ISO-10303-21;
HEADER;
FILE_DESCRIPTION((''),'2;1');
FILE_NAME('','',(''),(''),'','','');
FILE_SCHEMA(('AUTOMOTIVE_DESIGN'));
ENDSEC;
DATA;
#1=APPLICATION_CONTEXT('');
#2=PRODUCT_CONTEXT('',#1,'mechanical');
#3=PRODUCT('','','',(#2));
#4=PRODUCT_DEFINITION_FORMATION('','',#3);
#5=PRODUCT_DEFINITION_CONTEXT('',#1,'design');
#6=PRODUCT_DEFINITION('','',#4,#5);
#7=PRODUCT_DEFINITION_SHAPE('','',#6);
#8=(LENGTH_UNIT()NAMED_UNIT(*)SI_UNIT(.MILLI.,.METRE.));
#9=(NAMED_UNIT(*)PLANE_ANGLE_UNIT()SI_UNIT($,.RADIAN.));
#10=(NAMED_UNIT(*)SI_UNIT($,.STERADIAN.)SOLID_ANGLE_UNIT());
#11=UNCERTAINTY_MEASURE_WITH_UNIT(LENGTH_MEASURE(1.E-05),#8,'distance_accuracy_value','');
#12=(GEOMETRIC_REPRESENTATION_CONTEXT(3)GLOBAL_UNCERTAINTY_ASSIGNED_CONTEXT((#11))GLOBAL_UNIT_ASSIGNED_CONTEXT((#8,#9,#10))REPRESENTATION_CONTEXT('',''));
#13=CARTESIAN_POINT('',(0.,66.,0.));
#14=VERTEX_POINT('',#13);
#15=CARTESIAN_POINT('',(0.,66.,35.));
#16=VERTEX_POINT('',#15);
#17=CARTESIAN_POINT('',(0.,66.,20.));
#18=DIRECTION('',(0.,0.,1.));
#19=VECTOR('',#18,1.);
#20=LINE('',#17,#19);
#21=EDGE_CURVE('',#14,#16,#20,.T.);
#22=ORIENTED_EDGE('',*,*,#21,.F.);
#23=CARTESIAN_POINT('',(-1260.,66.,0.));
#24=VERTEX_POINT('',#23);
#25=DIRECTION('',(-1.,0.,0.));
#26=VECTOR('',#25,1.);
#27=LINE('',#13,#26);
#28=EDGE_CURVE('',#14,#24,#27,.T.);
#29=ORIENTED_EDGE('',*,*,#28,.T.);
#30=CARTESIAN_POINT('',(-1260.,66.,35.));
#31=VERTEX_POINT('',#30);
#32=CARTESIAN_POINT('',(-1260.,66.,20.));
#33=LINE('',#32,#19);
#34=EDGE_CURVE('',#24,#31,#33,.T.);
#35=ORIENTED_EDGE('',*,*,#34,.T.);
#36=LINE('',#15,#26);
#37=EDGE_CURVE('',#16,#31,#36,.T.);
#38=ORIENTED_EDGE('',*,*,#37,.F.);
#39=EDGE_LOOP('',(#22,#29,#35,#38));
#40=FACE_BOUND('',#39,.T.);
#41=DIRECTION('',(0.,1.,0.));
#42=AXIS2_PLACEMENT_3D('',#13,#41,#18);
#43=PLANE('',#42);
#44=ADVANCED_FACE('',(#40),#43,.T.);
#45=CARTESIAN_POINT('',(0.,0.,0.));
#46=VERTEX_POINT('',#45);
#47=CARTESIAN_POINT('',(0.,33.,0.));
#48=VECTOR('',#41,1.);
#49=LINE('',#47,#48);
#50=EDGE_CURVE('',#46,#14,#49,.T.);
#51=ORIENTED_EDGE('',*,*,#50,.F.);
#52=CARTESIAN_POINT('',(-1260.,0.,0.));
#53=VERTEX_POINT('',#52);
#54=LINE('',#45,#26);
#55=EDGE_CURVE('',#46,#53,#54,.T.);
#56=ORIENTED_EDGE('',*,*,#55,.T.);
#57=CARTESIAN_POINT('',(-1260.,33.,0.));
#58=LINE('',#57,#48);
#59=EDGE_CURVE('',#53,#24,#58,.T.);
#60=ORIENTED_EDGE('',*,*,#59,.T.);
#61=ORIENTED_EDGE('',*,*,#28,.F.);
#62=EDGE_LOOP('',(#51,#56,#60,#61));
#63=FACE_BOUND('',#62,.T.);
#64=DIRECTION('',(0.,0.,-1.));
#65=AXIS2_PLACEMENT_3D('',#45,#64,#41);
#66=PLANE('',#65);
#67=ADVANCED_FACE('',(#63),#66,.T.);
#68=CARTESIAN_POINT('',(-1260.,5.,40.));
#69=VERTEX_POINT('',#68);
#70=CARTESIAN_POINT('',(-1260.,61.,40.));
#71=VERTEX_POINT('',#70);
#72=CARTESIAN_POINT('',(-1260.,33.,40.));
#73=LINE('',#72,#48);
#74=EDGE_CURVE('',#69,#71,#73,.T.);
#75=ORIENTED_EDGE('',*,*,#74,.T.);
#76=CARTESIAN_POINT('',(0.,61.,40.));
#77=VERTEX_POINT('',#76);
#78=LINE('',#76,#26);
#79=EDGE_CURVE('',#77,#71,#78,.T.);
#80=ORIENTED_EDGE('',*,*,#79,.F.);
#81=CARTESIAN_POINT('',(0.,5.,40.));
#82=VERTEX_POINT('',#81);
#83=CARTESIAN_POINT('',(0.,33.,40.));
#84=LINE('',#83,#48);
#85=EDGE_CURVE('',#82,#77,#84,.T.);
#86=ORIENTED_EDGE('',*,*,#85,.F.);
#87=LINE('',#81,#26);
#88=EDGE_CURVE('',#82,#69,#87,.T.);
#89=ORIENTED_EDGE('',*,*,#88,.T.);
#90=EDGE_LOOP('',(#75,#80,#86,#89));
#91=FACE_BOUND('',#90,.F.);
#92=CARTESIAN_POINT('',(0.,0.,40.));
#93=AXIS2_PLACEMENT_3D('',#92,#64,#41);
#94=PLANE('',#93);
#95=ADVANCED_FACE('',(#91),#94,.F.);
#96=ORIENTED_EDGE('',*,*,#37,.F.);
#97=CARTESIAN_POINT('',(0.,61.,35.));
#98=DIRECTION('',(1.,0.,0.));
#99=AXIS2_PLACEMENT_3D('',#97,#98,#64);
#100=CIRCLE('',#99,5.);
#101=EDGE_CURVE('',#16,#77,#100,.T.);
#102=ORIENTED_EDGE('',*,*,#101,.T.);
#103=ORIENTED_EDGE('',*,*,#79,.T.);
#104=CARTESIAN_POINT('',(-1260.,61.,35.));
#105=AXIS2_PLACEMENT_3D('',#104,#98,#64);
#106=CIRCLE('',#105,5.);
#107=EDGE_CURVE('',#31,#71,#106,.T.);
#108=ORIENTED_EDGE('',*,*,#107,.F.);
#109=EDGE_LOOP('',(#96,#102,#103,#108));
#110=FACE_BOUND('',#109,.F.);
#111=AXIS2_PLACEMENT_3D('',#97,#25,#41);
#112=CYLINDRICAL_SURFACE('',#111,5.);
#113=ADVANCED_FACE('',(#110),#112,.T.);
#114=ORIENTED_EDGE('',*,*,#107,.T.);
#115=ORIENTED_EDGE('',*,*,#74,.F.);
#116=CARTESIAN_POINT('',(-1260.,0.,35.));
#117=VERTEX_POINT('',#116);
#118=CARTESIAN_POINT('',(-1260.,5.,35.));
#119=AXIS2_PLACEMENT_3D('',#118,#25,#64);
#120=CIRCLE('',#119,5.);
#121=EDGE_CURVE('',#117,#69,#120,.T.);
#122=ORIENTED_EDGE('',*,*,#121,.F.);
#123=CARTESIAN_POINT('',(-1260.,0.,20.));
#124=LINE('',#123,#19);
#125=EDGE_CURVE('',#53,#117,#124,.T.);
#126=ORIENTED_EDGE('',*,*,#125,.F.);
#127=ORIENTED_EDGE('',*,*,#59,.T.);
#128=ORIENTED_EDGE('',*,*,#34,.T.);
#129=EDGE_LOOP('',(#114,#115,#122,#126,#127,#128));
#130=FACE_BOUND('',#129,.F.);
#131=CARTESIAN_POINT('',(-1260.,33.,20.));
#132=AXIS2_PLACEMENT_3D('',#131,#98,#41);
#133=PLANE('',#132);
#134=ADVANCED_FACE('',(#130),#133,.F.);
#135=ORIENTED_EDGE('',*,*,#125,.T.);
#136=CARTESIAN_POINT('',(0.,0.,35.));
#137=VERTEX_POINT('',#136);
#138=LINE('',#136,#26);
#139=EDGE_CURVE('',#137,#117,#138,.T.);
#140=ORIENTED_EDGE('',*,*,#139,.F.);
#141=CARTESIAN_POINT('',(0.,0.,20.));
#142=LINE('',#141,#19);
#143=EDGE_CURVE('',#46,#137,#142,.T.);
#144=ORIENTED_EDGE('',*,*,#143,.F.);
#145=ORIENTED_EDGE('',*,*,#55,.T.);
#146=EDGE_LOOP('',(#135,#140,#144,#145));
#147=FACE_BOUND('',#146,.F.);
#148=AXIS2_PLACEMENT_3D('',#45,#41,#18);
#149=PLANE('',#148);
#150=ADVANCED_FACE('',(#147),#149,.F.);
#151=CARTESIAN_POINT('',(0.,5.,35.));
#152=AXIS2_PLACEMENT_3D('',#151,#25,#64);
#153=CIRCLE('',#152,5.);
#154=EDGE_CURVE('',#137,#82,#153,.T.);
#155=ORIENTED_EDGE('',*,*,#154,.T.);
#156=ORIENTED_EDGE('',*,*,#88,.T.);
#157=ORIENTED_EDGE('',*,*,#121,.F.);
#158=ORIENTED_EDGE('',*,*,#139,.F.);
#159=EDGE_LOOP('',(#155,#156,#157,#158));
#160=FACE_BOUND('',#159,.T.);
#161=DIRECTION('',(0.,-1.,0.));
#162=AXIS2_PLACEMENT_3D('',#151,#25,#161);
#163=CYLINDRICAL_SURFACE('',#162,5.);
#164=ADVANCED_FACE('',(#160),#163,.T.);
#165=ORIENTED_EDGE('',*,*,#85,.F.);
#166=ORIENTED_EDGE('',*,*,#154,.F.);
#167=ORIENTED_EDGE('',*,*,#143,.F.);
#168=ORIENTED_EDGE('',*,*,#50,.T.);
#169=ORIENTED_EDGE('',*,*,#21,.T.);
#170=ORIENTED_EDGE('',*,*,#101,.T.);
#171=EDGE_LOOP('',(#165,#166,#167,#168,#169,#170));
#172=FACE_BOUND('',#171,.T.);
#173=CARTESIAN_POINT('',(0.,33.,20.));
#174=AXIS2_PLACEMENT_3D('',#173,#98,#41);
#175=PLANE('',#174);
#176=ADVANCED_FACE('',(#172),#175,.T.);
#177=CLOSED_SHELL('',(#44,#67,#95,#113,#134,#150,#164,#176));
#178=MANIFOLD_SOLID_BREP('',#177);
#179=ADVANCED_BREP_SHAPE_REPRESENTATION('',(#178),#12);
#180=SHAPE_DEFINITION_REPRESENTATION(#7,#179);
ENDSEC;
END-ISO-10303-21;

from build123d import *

# Parameters (mm, degrees)
F0_W     = 66
F0_H     = 40
F1_DEPTH = 1260
F2_R     = 5


with BuildPart() as f1:
    # F0 (on Right) → F1 (new body)
    with BuildSketch(Plane.YZ):
        with Locations((33, 20)):
            Rectangle(F0_W, F0_H)
    extrude(amount=-F1_DEPTH)

    # F2
    f2_edges = [f1.edges().sort_by_distance(p)[0] for p in [
        (-630, 0, 40),
        (-630, 66, 40),
    ]]
    fillet(f2_edges, radius=F2_R)


solid = f1.part
